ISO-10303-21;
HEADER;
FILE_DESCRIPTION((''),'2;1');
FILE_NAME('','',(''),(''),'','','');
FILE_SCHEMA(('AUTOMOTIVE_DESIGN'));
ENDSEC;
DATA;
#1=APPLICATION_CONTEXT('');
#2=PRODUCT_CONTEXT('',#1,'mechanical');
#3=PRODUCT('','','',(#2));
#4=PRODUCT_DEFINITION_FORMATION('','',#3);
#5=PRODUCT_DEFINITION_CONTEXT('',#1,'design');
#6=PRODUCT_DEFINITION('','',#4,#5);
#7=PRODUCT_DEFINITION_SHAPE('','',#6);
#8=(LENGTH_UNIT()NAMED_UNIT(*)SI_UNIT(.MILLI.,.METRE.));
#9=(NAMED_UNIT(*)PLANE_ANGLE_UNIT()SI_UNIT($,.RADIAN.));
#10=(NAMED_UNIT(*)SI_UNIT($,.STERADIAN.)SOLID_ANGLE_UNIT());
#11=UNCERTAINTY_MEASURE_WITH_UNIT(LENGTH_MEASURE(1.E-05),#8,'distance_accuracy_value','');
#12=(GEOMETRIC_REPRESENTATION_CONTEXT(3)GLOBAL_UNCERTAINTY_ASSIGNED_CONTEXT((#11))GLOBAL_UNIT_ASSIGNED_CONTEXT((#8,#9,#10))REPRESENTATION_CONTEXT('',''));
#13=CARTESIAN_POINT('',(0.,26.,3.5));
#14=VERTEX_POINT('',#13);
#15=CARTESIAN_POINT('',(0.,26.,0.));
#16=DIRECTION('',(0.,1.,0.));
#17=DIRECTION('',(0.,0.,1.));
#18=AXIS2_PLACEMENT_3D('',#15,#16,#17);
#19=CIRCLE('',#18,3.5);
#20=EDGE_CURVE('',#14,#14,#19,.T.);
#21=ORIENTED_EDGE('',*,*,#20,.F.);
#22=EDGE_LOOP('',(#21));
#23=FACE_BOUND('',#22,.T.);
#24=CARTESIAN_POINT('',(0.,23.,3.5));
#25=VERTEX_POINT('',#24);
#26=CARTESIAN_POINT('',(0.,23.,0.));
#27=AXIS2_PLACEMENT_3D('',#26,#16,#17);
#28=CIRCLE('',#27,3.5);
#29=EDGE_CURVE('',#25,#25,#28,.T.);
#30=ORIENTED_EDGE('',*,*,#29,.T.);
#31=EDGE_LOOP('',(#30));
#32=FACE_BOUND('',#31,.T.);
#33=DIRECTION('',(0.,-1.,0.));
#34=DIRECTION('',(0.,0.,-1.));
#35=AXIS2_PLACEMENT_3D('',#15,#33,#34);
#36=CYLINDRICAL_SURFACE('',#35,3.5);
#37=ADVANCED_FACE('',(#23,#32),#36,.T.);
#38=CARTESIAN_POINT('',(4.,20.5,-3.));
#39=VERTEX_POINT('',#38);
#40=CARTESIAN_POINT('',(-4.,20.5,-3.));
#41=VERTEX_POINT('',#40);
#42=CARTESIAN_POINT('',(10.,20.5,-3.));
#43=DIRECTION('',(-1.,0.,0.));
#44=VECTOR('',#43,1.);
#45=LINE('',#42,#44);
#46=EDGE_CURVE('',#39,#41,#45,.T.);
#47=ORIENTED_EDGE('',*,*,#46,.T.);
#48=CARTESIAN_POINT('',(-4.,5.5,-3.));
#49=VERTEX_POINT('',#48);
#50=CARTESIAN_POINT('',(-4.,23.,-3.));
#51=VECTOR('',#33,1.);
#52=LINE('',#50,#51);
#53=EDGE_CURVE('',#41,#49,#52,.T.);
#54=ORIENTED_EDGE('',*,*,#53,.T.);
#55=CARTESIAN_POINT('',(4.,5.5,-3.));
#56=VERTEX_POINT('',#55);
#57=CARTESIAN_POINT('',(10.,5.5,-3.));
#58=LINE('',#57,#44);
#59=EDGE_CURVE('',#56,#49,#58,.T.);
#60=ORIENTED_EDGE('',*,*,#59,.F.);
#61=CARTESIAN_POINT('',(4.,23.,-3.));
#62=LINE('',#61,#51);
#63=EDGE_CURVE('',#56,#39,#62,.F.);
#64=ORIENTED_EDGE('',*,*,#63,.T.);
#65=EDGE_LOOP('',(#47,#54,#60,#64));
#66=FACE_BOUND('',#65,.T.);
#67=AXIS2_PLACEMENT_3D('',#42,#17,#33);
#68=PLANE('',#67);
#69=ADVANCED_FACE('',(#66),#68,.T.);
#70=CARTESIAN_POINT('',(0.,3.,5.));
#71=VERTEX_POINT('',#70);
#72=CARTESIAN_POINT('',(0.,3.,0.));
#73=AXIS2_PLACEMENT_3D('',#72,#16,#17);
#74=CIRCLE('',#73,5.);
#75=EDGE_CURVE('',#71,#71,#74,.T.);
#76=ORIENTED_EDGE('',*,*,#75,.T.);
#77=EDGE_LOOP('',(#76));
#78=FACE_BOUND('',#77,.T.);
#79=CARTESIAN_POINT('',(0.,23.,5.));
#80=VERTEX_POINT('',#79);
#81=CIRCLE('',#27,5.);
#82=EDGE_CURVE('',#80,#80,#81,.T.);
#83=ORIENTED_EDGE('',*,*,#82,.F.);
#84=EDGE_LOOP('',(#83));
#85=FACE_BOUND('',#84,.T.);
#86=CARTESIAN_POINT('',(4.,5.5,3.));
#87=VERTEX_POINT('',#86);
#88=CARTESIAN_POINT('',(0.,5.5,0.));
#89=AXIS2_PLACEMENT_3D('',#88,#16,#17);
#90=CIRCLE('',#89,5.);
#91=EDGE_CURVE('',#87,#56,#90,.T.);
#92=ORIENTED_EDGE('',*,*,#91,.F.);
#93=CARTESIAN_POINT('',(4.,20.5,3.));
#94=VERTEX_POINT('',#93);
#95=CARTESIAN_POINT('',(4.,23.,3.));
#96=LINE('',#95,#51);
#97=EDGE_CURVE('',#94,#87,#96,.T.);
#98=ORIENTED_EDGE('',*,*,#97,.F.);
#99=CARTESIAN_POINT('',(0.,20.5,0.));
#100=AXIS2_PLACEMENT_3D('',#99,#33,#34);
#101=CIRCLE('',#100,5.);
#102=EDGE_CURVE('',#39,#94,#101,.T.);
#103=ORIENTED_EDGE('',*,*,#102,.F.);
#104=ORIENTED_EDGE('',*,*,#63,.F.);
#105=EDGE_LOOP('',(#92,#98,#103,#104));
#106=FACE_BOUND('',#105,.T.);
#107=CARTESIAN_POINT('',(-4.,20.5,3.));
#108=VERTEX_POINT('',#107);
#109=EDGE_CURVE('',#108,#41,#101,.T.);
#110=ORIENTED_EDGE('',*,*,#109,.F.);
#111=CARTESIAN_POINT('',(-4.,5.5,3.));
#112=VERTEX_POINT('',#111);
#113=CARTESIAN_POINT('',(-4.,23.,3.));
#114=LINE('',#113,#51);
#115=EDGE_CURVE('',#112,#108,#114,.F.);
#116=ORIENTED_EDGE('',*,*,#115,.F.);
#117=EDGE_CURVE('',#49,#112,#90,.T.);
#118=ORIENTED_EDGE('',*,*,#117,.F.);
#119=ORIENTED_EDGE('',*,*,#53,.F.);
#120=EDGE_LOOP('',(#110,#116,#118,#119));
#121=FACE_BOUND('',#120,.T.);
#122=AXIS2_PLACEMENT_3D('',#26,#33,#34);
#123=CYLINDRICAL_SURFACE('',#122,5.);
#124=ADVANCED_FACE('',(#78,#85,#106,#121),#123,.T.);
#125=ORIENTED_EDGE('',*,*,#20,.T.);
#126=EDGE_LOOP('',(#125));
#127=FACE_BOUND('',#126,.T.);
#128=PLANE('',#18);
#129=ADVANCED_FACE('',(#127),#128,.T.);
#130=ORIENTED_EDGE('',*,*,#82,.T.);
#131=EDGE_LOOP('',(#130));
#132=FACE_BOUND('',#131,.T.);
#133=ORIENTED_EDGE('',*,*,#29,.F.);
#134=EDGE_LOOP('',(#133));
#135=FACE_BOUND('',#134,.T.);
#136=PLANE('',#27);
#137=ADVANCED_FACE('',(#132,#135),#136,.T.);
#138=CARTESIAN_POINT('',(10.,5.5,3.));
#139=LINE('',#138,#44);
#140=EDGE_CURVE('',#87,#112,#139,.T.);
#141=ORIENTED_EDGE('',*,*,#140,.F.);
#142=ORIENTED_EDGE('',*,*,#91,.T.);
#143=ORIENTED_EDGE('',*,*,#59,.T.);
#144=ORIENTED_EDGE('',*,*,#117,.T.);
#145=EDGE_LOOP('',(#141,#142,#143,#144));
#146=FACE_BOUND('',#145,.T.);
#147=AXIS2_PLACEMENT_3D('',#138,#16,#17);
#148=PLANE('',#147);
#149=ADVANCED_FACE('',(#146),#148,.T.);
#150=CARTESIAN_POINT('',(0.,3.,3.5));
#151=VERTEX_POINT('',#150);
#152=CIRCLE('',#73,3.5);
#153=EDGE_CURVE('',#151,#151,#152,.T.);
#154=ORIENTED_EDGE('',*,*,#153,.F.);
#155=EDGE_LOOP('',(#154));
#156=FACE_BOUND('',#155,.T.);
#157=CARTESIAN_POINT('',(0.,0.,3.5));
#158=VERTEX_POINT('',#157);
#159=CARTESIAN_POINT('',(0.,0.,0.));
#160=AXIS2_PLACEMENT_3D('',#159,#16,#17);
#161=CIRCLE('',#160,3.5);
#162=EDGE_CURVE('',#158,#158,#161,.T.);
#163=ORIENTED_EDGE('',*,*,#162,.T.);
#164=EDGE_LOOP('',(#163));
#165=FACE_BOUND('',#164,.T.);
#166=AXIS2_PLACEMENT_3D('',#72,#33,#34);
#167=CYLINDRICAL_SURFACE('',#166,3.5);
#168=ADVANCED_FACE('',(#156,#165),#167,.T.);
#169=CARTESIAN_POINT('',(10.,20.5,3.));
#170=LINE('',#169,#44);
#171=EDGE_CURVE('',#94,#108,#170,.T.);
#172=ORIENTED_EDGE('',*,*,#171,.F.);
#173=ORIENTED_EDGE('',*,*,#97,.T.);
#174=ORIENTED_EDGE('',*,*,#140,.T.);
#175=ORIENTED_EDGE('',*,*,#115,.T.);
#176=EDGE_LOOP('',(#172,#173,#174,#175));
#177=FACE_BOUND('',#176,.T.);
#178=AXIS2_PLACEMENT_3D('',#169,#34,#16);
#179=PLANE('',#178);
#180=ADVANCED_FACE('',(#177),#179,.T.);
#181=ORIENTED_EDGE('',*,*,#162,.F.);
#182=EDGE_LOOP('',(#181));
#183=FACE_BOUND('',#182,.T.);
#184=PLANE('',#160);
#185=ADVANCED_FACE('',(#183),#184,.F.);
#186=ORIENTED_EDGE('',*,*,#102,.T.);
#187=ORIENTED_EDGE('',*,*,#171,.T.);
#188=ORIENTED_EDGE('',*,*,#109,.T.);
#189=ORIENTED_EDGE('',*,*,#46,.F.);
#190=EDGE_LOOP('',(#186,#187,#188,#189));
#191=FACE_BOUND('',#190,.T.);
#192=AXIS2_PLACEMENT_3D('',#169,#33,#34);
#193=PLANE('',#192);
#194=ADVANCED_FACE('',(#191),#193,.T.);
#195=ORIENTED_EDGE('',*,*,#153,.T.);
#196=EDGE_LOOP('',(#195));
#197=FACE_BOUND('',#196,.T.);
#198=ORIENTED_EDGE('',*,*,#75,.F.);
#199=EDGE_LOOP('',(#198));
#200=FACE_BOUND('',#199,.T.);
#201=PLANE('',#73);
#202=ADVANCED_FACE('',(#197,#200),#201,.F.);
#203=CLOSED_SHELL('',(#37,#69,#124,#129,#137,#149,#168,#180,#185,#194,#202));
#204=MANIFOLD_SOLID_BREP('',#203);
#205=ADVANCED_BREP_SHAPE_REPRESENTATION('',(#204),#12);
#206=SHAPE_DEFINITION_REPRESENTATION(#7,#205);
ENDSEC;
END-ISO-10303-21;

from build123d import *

# Parameters (mm, degrees)
CROQUIS1_R                 = 3.5
SALIENTE_EXTRUIR1_DEPTH    = 3
CROQUIS2_R                 = 5
SALIENTE_EXTRUIR2_DEPTH    = 20
CROQUIS3_R                 = 3.5
SALIENTE_EXTRUIR3_DEPTH    = 3
CORTAR_EXTRUIR1_DEPTH      = 10
CORTAR_EXTRUIR1_DEPTH_BACK = 11
CROQUIS4_W                 = 6
CROQUIS4_H                 = 15


with BuildPart() as part:
    # Croquis1 → Saliente-Extruir1 (new body)
    with BuildSketch(Plane(origin=(0, 0, 0), x_dir=(1, 0, 0), z_dir=(0, 1, 0))):
        with Locations(Location((0, 0, 0), (0, 0, 270))):
            Circle(CROQUIS1_R)
    extrude(amount=SALIENTE_EXTRUIR1_DEPTH)

    # Croquis2 → Saliente-Extruir2 (add)
    with BuildSketch(Plane(origin=(0, 3, 0), x_dir=(1, 0, 0), z_dir=(0, 1, 0))):
        with Locations(Location((0, 0, 0), (0, 0, 270))):
            Circle(CROQUIS2_R)
    extrude(amount=SALIENTE_EXTRUIR2_DEPTH)

    # Croquis3 → Saliente-Extruir3 (add)
    with BuildSketch(Plane(origin=(0, 23, 0), x_dir=(1, 0, 0), z_dir=(0, 1, 0))):
        with Locations(Location((0, 0, 0), (0, 0, 270))):
            Circle(CROQUIS3_R)
    extrude(amount=SALIENTE_EXTRUIR3_DEPTH)

    # Croquis4 → Cortar-Extruir1 (cut, two sides: drawn at the far end of the back side and taken through both)
    with BuildSketch(Plane(origin=(0, 0, 0), x_dir=(0, 0, -1), z_dir=(1, 0, 0)).offset(-CORTAR_EXTRUIR1_DEPTH_BACK)):
        with Locations((0, 13)):
            Rectangle(CROQUIS4_W, CROQUIS4_H)
    extrude(amount=CORTAR_EXTRUIR1_DEPTH + CORTAR_EXTRUIR1_DEPTH_BACK, mode=Mode.SUBTRACT)


solid = part.part
